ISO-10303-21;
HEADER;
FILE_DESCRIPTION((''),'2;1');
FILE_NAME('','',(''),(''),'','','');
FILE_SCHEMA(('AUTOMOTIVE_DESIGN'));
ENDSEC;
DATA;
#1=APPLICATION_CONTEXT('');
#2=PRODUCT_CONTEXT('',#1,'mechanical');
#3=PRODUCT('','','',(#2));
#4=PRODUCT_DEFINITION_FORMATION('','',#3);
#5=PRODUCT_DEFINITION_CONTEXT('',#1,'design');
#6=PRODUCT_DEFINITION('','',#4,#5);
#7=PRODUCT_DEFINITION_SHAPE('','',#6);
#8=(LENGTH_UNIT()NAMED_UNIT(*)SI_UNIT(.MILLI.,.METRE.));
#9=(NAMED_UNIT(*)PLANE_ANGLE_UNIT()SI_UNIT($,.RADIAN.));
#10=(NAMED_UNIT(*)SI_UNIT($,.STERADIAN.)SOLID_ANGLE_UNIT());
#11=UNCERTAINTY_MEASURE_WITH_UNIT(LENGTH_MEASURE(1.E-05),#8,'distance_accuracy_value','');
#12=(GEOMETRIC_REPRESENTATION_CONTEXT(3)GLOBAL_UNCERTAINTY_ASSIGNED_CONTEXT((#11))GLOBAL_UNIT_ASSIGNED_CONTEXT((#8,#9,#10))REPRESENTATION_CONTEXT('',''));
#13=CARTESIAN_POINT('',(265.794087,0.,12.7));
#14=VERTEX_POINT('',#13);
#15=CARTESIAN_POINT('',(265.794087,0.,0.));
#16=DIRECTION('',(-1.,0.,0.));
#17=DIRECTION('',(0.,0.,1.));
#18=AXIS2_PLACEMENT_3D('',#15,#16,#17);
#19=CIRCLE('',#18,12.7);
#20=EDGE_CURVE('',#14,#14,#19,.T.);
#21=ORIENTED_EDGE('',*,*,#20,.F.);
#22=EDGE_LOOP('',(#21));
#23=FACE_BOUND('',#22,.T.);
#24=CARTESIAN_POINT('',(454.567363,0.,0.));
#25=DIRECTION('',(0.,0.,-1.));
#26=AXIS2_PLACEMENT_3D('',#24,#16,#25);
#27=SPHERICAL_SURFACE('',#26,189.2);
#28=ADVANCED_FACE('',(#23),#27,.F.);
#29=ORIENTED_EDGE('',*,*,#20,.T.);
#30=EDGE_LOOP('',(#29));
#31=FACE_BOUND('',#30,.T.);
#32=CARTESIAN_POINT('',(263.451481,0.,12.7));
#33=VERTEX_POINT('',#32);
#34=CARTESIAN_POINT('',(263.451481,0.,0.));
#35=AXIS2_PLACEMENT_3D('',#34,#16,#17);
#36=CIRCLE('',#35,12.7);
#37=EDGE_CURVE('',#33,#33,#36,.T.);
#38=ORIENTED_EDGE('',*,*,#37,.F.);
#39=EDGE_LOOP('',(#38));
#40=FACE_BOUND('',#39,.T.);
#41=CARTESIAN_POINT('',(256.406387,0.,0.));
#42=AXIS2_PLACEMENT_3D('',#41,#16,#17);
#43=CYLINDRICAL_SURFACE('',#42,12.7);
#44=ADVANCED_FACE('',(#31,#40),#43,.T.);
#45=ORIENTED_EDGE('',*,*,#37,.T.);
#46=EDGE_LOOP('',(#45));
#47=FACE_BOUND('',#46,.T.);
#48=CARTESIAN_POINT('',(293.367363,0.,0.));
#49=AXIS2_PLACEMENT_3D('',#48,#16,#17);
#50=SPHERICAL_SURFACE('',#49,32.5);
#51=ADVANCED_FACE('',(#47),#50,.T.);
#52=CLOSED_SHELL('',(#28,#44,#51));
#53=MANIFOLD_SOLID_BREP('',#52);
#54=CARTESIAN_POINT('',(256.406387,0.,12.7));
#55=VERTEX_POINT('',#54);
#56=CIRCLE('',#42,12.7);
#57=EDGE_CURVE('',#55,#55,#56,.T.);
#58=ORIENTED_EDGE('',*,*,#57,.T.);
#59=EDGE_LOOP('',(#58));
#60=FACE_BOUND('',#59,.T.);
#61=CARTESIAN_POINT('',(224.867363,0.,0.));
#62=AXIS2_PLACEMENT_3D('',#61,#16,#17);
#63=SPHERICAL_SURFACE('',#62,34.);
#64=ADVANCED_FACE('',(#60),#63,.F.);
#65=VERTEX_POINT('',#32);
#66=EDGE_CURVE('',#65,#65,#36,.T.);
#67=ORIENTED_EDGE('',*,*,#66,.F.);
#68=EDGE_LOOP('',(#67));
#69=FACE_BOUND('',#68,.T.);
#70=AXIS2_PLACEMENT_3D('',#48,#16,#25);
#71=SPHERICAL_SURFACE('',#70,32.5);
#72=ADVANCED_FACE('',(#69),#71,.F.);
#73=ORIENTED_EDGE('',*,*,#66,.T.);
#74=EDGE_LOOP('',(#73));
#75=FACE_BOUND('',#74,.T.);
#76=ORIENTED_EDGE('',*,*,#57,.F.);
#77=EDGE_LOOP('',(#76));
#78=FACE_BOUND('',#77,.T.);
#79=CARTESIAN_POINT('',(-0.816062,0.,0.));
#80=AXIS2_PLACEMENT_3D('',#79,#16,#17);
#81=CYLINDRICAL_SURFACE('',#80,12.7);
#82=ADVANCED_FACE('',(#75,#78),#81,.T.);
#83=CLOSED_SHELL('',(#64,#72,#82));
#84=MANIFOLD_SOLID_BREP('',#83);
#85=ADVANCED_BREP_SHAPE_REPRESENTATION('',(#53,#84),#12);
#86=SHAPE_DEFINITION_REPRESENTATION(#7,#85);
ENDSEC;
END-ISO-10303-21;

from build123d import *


with BuildPart() as part:
    # 草图1 one side → 旋转1 (revolve)
    with BuildSketch(Plane(origin=(0, 0, 0), x_dir=(1, 0, 0), z_dir=(0, 1, 0)), mode=Mode.PRIVATE) as revolve_1_sk:
        with BuildLine():
            Line((263.451481191, 12.7), (256.406386708, 12.7))
            ThreePointArc((256.406386708, 12.7), (258.246449506, 6.468121938), (258.86736326, 0))
            Line((258.86736326, 0), (260.86736326, 0))
            ThreePointArc((260.86736326, 0), (261.51994447, 6.480117003), (263.451481191, 12.7))
        make_face()
    revolve(revolve_1_sk.sketch.rotate(Axis((-0.816062176, 0, 0), (1, 0, 0)), 180), axis=Axis((-0.816062176, 0, 0), (1, 0, 0)))  # turned: the seam where the file's is


with BuildPart() as body_2:
    # 草图2 one side → 旋转3 (revolve)
    with BuildSketch(Plane(origin=(0, 0, 0), x_dir=(1, 0, 0), z_dir=(0, 1, 0)), mode=Mode.PRIVATE) as revolve_3_sk:
        with BuildLine():
            Line((265.79408655, 12.7), (263.451481191, 12.7))
            ThreePointArc((263.451481191, 12.7), (261.51994447, 6.480117003), (260.86736326, 0))
            Line((260.86736326, 0), (265.36736326, 0))
            ThreePointArc((265.36736326, 0), (265.474074176, 6.353583492), (265.79408655, 12.7))
        make_face()
    revolve(revolve_3_sk.sketch.rotate(Axis((256.406386708, 0, 0), (1, 0, 0)), 180), axis=Axis((256.406386708, 0, 0), (1, 0, 0)))  # turned: the seam where the file's is


solid = Compound([part.part, body_2.part])
